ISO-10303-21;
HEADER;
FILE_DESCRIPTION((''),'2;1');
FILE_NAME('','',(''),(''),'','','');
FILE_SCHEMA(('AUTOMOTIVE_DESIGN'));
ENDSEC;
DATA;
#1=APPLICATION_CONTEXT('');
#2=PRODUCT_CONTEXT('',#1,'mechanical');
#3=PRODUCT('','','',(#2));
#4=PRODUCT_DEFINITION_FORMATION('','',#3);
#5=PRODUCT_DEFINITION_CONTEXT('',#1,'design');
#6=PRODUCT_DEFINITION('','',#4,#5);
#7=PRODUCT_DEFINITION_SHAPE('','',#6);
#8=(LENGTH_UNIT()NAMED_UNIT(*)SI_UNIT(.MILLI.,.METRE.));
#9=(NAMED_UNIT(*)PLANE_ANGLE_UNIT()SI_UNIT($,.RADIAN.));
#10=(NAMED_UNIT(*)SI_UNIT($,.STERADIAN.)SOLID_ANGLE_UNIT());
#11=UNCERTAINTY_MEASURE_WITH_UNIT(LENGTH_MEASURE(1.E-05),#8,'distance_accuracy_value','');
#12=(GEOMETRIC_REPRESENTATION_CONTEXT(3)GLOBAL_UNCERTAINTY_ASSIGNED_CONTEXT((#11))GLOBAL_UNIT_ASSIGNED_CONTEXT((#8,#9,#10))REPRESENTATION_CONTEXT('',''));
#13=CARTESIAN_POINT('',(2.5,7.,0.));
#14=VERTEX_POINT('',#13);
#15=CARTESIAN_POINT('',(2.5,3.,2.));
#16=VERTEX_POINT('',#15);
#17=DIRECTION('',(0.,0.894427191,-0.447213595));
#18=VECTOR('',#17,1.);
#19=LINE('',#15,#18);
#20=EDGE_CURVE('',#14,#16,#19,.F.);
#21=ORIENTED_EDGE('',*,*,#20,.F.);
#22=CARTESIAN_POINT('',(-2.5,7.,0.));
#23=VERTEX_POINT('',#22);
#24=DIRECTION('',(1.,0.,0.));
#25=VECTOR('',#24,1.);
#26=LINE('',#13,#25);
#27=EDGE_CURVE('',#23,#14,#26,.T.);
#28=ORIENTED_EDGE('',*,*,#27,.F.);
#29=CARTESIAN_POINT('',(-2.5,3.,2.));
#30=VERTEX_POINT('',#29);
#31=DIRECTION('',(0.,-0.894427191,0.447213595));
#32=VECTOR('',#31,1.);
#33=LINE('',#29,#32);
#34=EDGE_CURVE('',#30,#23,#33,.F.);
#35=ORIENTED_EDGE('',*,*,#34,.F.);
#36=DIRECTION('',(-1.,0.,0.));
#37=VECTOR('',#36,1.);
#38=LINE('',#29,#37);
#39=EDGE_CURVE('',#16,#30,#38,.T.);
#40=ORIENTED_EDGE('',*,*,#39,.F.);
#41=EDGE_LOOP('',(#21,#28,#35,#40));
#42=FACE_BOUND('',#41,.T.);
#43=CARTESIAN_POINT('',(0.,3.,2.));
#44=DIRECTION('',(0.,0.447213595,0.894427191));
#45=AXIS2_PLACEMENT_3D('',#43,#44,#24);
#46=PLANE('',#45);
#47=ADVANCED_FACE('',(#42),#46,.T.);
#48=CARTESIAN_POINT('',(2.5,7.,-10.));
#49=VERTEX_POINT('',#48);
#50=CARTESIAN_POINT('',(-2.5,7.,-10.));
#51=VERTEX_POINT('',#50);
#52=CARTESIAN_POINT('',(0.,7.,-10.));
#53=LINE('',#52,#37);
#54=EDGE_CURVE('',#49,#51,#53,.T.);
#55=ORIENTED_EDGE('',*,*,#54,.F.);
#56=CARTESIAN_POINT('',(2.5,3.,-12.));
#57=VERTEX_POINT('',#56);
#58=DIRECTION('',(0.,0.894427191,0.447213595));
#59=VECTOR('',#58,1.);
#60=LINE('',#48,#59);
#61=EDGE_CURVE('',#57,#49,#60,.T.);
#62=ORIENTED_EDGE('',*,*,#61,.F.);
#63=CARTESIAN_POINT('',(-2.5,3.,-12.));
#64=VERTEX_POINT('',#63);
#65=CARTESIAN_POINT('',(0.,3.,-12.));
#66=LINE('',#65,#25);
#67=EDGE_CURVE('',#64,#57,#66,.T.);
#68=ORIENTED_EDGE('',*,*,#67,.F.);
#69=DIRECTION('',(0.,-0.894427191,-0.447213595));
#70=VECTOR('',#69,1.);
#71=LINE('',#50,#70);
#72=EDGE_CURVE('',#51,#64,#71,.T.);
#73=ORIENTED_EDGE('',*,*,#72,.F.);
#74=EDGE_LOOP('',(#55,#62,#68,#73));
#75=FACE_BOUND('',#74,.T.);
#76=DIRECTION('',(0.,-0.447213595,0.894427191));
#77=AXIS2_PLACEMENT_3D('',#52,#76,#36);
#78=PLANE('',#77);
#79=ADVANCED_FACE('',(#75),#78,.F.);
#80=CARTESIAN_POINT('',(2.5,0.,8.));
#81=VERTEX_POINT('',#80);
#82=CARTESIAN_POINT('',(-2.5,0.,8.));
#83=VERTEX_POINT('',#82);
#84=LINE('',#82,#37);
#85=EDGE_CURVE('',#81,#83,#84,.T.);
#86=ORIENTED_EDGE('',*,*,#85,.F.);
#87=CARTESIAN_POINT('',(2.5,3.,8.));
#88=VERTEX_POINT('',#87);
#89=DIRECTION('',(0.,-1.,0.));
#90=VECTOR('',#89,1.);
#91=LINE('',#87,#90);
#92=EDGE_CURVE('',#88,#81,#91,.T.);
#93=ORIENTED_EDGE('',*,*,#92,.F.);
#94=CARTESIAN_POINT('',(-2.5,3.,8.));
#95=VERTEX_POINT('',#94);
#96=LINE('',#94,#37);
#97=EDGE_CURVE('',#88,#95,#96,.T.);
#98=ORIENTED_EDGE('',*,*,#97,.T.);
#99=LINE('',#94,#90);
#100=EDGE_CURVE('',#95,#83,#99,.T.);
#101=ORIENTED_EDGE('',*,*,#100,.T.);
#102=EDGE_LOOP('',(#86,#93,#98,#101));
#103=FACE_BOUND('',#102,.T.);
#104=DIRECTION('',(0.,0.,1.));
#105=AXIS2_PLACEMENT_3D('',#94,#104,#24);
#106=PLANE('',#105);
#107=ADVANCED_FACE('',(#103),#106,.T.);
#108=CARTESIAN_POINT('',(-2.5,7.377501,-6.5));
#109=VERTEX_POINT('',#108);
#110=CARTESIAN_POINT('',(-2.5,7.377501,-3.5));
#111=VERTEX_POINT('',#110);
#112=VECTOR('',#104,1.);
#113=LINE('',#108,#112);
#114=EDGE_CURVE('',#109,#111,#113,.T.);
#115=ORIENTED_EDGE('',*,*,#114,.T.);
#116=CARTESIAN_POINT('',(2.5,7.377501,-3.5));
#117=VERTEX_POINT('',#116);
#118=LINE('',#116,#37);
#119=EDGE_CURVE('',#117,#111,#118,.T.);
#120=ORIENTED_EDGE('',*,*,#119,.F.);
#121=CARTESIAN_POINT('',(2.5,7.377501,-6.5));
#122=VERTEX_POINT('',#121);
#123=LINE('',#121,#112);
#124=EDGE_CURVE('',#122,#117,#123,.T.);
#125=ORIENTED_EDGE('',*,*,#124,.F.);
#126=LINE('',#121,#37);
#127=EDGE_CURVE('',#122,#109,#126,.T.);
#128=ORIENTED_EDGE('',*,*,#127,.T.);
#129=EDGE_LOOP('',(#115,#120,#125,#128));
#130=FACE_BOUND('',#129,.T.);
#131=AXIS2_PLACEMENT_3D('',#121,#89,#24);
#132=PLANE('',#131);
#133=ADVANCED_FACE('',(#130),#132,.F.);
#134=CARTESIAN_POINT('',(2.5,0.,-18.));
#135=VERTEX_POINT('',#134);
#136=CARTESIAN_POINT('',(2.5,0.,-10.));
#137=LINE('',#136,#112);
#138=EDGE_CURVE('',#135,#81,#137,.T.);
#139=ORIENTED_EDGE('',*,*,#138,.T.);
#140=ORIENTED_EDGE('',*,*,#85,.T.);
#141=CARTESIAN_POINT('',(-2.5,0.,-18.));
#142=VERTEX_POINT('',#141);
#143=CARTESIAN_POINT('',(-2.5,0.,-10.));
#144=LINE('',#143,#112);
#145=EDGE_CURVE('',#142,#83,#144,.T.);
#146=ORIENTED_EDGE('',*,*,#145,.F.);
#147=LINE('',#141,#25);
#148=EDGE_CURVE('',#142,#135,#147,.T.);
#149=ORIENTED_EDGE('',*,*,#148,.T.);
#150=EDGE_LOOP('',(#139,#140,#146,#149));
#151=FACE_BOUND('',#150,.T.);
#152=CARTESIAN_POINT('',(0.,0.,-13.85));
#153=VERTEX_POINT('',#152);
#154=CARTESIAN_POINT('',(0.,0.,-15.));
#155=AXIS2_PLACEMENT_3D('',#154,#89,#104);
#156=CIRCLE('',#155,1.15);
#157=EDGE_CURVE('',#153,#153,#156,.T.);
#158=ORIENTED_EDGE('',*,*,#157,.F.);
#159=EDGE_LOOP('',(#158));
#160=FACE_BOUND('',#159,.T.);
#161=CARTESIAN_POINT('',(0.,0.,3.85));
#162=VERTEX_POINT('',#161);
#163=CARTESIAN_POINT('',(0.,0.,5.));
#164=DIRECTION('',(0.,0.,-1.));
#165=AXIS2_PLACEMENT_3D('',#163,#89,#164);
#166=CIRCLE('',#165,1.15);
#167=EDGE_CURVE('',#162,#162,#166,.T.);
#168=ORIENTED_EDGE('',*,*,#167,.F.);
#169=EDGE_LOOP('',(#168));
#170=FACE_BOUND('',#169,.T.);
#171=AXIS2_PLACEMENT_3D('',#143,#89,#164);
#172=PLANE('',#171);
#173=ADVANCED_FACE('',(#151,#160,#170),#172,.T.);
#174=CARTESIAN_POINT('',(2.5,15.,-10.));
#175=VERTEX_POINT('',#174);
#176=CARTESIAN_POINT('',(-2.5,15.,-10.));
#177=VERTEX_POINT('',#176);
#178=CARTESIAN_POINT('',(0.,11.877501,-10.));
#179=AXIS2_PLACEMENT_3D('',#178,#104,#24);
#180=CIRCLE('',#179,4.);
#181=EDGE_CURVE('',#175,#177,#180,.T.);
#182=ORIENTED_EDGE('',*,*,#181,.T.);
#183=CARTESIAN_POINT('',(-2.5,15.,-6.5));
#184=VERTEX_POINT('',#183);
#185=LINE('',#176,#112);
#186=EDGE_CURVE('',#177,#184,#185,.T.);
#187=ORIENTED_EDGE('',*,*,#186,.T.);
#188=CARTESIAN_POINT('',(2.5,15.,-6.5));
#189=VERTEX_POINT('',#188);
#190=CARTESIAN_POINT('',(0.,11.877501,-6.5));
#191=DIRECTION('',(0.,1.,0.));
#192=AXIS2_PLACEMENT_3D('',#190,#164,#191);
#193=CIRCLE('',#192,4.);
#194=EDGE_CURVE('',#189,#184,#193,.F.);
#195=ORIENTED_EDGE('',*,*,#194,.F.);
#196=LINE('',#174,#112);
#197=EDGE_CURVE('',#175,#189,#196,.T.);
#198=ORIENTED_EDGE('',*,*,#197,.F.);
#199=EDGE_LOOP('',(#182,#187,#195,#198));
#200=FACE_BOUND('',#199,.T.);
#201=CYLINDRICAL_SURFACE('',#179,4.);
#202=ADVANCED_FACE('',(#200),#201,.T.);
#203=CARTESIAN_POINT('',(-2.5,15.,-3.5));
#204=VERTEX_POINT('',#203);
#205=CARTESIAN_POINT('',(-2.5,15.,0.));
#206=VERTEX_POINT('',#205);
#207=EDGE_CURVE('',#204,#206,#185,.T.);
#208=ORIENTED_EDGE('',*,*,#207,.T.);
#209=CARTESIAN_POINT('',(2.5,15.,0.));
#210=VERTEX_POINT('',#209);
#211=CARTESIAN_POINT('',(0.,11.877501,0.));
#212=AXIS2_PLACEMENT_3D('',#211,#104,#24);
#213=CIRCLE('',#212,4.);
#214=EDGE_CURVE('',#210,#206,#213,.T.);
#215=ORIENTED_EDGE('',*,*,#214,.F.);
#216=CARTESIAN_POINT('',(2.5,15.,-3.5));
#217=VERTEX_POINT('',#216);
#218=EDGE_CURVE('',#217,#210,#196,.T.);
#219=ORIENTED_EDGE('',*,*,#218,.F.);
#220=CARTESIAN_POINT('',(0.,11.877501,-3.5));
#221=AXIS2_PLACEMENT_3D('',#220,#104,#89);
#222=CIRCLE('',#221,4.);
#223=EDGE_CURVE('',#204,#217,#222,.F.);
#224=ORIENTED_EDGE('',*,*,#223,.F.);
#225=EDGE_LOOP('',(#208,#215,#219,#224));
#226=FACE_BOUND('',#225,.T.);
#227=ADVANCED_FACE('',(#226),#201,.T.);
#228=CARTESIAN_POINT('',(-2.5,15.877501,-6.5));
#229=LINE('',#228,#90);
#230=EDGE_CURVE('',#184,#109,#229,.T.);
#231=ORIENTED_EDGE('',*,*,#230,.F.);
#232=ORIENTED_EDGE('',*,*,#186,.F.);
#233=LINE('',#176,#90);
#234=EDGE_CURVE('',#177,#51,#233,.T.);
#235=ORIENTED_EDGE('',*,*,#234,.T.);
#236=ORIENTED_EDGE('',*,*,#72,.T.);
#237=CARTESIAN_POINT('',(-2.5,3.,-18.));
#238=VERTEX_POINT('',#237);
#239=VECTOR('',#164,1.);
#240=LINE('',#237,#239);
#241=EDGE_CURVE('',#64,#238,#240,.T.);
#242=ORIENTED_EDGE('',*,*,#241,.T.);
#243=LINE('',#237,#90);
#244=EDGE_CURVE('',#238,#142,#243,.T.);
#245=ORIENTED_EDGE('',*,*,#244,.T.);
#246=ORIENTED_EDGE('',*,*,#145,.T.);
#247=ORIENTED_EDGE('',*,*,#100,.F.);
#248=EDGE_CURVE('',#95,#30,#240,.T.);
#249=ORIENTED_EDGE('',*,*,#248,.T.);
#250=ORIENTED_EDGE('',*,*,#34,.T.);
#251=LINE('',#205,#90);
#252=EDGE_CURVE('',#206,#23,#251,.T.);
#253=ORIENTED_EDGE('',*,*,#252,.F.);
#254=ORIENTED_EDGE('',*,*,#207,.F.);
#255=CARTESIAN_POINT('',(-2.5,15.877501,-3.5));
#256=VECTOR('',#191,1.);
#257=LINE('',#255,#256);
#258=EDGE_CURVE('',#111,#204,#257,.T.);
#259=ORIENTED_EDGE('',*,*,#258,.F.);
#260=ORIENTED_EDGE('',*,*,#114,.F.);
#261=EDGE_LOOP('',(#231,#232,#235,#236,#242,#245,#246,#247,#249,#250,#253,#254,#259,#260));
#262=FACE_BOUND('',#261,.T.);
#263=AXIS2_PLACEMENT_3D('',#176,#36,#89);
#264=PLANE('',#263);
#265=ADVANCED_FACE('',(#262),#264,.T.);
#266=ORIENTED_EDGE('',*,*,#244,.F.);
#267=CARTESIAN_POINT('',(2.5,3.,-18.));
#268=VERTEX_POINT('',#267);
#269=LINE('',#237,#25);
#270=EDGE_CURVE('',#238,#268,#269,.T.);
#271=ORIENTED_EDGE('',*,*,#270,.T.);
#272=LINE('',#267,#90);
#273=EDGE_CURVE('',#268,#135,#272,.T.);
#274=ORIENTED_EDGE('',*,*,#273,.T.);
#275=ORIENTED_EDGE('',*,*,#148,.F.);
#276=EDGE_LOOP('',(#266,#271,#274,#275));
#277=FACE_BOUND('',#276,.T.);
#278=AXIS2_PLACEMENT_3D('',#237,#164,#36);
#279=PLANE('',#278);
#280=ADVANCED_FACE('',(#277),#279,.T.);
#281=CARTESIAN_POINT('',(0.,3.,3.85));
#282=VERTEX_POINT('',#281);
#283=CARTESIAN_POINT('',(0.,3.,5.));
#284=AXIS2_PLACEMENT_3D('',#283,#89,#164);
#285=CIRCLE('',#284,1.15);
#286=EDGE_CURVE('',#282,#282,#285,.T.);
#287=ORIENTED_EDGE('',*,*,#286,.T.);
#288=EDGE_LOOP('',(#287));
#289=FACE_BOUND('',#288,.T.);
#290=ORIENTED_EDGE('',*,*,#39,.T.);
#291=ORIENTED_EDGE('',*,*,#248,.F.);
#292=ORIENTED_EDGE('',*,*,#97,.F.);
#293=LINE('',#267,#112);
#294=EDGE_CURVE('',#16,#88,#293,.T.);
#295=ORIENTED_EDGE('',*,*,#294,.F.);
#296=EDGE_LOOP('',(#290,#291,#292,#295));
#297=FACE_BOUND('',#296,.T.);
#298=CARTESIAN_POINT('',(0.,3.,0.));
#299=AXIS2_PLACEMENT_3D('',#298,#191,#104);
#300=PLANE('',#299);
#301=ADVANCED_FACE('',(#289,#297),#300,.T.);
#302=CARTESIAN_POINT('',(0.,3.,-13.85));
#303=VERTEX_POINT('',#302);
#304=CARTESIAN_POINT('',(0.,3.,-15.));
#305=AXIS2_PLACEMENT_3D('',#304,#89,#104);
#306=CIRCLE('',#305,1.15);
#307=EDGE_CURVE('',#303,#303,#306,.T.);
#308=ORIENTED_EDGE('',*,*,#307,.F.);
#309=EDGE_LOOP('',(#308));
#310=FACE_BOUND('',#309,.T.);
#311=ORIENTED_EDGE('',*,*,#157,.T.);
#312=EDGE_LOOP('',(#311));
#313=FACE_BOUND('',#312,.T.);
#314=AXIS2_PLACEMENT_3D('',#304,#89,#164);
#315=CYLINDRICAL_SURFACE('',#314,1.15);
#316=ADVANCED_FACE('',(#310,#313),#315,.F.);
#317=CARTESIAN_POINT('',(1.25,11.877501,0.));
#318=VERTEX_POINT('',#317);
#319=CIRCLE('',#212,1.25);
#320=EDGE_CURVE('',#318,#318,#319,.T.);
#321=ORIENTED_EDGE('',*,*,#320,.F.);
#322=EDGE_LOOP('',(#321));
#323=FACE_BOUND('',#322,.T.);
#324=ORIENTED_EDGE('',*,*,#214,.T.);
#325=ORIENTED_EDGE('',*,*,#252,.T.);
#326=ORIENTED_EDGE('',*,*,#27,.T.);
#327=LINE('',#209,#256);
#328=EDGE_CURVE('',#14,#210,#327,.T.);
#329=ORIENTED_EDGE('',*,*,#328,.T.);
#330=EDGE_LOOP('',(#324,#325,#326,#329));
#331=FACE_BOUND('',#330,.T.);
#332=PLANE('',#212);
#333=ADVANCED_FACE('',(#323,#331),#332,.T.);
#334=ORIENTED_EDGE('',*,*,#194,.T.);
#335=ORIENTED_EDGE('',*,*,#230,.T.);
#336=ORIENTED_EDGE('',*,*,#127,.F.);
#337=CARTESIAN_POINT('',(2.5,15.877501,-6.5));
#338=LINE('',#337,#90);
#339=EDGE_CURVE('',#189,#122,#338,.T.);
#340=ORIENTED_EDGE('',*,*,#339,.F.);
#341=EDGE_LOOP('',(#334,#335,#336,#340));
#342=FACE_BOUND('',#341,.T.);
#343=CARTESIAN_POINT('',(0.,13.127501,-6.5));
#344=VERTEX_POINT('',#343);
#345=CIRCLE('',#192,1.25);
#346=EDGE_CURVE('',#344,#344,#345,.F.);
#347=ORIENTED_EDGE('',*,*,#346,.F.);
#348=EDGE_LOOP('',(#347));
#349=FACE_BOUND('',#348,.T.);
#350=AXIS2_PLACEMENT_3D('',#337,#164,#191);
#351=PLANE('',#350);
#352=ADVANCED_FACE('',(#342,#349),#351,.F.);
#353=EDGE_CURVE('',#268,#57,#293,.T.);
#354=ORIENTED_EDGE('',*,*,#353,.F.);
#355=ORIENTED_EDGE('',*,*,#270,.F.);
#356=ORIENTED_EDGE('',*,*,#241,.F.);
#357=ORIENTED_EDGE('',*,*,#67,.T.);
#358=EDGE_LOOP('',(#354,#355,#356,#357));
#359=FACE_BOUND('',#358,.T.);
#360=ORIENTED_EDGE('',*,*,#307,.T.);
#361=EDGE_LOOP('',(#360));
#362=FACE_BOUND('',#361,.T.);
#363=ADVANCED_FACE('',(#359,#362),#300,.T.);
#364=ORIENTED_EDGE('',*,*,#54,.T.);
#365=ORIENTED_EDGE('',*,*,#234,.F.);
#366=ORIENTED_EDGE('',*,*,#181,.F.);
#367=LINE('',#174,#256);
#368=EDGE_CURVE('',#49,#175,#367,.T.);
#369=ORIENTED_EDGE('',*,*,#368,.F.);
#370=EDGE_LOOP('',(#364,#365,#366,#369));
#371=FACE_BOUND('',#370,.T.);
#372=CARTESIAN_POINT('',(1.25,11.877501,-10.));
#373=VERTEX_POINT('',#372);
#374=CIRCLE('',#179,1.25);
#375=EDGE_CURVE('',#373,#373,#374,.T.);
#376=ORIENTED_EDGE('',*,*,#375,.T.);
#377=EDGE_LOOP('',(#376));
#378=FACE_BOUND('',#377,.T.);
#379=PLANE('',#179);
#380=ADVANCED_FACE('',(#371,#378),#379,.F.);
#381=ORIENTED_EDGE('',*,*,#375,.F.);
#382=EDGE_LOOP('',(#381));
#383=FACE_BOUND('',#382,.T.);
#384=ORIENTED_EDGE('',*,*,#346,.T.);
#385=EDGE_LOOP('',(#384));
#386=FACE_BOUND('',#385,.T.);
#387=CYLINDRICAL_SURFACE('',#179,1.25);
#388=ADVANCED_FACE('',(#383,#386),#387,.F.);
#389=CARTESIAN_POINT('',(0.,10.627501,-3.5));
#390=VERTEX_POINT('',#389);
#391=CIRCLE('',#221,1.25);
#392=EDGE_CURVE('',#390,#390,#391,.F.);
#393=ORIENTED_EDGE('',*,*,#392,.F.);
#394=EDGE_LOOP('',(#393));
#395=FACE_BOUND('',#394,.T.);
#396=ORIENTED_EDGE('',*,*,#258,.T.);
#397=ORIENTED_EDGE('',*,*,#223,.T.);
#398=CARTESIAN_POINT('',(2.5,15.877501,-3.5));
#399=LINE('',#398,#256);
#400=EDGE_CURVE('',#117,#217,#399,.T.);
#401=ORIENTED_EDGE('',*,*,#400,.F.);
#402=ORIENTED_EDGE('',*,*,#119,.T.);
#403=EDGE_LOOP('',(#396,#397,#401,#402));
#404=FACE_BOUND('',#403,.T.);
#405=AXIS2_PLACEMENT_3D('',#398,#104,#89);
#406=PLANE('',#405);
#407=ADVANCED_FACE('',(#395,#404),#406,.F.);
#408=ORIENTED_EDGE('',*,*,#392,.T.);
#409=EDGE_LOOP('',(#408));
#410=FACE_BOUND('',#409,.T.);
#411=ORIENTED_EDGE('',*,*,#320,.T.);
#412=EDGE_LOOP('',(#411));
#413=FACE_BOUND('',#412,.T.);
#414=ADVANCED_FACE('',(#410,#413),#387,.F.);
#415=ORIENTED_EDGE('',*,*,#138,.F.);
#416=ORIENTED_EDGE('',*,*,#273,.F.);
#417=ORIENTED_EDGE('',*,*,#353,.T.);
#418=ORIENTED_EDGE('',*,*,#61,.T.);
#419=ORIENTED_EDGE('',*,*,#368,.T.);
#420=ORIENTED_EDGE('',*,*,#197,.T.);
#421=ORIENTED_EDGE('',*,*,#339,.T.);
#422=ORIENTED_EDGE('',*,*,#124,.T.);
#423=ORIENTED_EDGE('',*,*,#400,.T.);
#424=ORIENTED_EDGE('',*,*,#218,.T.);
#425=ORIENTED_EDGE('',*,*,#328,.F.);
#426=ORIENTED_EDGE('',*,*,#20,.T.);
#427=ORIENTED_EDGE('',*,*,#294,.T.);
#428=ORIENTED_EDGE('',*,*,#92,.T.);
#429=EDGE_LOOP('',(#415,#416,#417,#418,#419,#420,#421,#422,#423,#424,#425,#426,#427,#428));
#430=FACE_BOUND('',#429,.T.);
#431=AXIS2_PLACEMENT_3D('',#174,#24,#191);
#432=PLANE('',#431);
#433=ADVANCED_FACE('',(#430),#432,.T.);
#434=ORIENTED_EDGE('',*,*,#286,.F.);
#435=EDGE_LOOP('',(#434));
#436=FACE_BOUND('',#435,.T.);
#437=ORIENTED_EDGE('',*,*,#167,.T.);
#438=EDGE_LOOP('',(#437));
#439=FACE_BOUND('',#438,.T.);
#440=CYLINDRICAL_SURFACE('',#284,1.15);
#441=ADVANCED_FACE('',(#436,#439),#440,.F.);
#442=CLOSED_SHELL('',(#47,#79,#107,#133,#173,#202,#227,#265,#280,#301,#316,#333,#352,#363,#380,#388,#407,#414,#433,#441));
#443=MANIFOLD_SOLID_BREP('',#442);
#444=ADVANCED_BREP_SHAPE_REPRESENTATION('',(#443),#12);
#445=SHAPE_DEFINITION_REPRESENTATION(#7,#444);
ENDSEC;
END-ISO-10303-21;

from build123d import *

# Parameters (mm, degrees)
SKETCH1_R           = 1.25
BOSS_EXTRUDE1_DEPTH = 10
SKETCH2_W           = 3
SKETCH2_H           = 8.5
CUT_EXTRUDE1_DEPTH  = 6
SKETCH3_W           = 5
SKETCH3_H           = 26
SKETCH3_R           = 1.15
BOSS_EXTRUDE2_DEPTH = 3
CHAMFER1_SIZE       = 2
CHAMFER1_SIZE2      = 4
CHAMFER2_SIZE       = 4
CHAMFER2_SIZE2      = 2


with BuildPart() as part:
    # Sketch1 → Boss-Extrude1 (new body)
    with BuildSketch(Plane.XY):
        with BuildLine():
            Line((2.5, 15), (2.5, 0))
            Line((2.5, 0), (-2.5, 0))
            Line((-2.5, 0), (-2.5, 15))
            ThreePointArc((-2.5, 15), (0, 15.877501001), (2.5, 15))
        make_face()
        with Locations((0, 11.877501001)):
            Circle(SKETCH1_R, mode=Mode.SUBTRACT)
    extrude(amount=-BOSS_EXTRUDE1_DEPTH)

    # Sketch2 → Cut-Extrude1 (cut, through all)
    with BuildSketch(Plane.ZY.offset(2.5)):
        with Locations((-5, 11.627501001)):
            Rectangle(SKETCH2_W, SKETCH2_H)
    extrude(amount=-CUT_EXTRUDE1_DEPTH, mode=Mode.SUBTRACT)

    # Sketch3 → Boss-Extrude2 (add)
    with BuildSketch(Plane.XZ):
        with Locations((0, -5)):
            Rectangle(SKETCH3_W, SKETCH3_H)
        with Locations((0, 5)):
            Circle(SKETCH3_R, mode=Mode.SUBTRACT)
        with Locations((0, -15)):
            Circle(SKETCH3_R, mode=Mode.SUBTRACT)
    extrude(amount=-BOSS_EXTRUDE2_DEPTH)

    # Chamfer1
    chamfer1_edges = [part.edges().sort_by_distance(p)[0] for p in [
        (0, 3, -10),
    ]]
    chamfer1_side = [part.faces().sort_by_distance(p)[0] for p in [
        (-2.405660189, 3, -14),
    ]]
    chamfer(chamfer1_edges, length=CHAMFER1_SIZE, length2=CHAMFER1_SIZE2, reference=chamfer1_side[0])

    # Chamfer2
    chamfer2_edges = [part.edges().sort_by_distance(p)[0] for p in [
        (0, 3, 0),
    ]]
    chamfer2_side = [part.faces().sort_by_distance(p)[0] for p in [
        (0, 9.084568634, 0),
    ]]
    chamfer(chamfer2_edges, length=CHAMFER2_SIZE, length2=CHAMFER2_SIZE2, reference=chamfer2_side[0])


solid = part.part
